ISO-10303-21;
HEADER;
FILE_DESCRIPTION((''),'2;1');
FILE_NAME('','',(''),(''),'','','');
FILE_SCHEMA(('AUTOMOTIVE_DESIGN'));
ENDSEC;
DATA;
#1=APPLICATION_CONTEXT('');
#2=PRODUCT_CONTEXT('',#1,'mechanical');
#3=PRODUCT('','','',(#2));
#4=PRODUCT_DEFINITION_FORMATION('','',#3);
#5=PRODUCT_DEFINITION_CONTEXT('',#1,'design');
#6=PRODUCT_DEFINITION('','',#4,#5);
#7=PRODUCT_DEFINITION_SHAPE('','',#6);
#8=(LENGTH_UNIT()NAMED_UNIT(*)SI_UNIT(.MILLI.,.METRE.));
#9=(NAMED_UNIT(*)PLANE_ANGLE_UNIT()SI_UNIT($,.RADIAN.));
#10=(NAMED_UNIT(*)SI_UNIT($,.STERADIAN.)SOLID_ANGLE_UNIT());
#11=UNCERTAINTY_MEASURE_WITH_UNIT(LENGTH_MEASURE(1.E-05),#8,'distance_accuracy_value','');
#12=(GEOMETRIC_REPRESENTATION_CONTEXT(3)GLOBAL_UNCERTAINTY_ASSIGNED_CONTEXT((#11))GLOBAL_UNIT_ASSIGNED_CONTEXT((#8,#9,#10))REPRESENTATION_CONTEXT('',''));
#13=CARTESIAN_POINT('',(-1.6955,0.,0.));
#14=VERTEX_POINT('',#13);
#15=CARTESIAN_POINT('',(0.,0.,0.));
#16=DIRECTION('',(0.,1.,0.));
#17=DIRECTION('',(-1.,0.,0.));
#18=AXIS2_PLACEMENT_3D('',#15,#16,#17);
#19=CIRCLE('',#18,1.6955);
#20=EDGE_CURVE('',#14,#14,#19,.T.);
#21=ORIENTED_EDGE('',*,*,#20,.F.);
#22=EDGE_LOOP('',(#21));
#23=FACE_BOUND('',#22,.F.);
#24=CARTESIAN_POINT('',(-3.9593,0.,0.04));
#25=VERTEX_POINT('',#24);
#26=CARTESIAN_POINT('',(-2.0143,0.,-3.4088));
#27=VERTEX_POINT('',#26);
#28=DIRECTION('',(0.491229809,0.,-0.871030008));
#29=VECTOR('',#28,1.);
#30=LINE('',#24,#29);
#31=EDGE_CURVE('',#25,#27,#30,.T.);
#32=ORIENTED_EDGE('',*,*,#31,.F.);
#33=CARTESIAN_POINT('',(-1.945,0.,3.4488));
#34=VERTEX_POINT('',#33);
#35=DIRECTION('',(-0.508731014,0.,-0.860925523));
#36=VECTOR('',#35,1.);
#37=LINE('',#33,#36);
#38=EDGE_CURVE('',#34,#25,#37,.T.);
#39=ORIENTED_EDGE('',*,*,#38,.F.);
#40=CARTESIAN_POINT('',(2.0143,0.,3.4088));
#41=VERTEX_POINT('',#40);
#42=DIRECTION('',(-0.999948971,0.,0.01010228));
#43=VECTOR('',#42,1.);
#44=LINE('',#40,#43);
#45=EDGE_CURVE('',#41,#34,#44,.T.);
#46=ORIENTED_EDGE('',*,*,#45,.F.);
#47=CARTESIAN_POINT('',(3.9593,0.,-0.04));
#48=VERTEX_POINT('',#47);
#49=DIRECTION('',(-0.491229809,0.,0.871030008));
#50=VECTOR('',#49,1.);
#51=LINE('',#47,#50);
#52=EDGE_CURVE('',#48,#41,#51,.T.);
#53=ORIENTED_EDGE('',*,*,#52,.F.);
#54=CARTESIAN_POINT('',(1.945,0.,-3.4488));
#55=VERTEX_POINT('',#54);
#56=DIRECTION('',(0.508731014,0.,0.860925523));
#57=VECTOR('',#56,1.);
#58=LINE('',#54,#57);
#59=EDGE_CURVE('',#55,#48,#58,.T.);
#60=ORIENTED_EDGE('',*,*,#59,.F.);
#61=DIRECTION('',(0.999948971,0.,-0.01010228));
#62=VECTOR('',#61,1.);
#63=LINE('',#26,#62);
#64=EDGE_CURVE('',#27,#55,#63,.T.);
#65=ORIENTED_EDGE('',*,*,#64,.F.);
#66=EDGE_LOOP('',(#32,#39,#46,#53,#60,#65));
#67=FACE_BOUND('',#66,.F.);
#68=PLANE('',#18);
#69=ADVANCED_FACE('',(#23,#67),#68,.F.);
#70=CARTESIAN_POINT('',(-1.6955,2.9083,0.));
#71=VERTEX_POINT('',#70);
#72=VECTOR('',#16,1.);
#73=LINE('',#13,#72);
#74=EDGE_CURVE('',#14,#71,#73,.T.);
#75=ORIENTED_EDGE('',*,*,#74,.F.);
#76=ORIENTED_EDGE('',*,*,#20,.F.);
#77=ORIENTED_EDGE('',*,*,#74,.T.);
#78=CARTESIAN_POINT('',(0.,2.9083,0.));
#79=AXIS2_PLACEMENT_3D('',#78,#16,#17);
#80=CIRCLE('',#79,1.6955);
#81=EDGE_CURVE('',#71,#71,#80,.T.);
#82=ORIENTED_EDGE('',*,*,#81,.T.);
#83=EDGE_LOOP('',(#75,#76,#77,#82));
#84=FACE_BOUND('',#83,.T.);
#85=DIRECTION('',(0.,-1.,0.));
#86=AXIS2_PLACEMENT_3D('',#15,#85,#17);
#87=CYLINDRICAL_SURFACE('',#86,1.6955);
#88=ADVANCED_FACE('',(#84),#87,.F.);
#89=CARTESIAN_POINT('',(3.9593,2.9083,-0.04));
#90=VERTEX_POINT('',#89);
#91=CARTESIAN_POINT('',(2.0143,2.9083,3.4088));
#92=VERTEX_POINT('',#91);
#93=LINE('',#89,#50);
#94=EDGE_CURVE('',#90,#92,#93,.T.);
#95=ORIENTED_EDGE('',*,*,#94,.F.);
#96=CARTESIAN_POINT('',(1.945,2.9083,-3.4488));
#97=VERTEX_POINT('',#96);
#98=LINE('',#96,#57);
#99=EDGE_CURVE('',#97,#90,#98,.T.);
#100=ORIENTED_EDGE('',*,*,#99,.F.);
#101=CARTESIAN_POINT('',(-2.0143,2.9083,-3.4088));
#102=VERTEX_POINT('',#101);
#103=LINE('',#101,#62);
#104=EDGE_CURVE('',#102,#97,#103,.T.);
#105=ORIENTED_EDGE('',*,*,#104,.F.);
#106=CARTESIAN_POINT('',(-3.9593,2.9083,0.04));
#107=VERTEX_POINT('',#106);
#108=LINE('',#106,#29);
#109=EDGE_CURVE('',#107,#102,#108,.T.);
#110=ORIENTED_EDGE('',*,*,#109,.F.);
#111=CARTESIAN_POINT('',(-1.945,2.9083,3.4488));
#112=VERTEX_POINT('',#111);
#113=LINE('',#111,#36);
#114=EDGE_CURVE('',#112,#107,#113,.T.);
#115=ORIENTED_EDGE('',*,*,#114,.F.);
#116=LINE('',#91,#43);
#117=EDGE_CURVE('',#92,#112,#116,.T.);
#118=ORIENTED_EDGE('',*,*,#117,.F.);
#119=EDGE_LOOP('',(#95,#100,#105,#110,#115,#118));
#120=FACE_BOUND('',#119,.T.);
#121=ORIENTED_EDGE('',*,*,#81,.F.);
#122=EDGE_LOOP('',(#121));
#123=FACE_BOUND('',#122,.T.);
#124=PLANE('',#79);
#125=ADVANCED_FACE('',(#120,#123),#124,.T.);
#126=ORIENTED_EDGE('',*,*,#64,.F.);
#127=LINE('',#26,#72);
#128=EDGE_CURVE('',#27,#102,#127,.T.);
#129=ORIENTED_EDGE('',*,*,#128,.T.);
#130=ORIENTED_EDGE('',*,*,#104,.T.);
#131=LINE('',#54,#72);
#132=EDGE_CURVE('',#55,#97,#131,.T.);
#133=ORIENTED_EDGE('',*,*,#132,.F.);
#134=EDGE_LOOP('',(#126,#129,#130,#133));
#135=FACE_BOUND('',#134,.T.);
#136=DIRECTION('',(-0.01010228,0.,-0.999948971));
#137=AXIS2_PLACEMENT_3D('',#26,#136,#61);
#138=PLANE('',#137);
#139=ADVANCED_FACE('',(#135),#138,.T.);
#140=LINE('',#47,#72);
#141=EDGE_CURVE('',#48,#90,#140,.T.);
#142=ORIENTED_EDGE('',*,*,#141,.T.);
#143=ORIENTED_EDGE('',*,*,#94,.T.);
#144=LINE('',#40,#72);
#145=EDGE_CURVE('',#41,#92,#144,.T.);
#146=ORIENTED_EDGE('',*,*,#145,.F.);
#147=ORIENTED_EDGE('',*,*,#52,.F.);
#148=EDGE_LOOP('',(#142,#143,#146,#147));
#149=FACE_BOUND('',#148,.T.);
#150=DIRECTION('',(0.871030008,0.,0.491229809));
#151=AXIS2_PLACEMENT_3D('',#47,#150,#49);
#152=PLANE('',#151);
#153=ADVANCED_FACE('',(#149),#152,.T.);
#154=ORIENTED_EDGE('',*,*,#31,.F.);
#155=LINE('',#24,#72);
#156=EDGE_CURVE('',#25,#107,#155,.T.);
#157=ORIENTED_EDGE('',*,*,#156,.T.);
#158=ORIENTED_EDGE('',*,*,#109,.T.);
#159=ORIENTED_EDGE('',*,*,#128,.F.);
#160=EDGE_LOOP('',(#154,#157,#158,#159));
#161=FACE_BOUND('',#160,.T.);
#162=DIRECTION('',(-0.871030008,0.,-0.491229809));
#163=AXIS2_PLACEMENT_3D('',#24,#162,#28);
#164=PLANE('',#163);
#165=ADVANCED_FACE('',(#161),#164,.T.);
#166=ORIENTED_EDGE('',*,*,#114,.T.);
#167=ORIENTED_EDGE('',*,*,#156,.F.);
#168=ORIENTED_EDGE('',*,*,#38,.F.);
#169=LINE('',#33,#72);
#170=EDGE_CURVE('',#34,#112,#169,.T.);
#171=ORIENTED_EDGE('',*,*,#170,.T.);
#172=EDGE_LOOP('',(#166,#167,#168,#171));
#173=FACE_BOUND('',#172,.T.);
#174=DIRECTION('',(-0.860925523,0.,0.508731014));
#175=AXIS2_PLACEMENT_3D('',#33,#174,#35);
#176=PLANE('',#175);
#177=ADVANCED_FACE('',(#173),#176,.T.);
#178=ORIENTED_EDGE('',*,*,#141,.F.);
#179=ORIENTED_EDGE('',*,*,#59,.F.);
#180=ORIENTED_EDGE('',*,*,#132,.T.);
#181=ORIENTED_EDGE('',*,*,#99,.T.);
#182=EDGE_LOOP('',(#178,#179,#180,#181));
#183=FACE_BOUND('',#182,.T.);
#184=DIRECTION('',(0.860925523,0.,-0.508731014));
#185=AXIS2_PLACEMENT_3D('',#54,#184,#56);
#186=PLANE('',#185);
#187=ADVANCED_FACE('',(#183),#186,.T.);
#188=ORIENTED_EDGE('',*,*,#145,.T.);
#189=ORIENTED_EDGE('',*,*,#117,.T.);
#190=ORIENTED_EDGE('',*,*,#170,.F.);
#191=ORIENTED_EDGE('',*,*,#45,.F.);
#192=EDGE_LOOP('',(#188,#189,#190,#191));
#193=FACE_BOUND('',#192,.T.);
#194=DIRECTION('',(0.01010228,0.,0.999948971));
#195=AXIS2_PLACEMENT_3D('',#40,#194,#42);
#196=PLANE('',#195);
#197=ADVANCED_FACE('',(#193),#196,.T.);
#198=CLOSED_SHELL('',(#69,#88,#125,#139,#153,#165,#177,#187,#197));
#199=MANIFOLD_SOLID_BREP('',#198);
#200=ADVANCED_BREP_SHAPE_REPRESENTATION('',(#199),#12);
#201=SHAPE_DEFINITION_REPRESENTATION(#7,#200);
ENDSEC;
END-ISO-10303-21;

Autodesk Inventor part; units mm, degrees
ref_plane "YZ Plane" through (0, 0, 0) normal (1, 0, 0) x (0, 1, 0)
ref_plane "XZ Plane" through (0, 0, 0) normal (0, 1, 0) x (-1, 0, 0)
ref_plane "XY Plane" through (0, 0, 0) normal (0, 0, 1) x (1, 0, 0)
sketch "Sketch1" plane through (0, 0, 0) normal (0, 1, 0) x (-1, 0, 0)
  line L0 (1.945, 3.4488) -> (3.9593, 0.04)
  line L1 (3.9593, 0.04) -> (2.0143, -3.4088)
  line L2 (2.0143, -3.4088) -> (-1.945, -3.4488)
  line L3 (-1.945, -3.4488) -> (-3.9593, -0.04)
  line L4 (-3.9593, -0.04) -> (-2.0143, 3.4088)
  line L5 (-2.0143, 3.4088) -> (1.945, 3.4488)
  circle A0 centre (0, 0) radius 1.6955
  dimension "d0" = 6.858
  dimension "d1" = 3.3909
extrude "Extrusion1" add sketch "Sketch1" along normal blind 2.9083
thread "Thread1" size "8-32 UNC" class "2B" standard "ANSI Unified Screw Threads" full length
properties part number "nut for base" material "Aluminum 6061"
